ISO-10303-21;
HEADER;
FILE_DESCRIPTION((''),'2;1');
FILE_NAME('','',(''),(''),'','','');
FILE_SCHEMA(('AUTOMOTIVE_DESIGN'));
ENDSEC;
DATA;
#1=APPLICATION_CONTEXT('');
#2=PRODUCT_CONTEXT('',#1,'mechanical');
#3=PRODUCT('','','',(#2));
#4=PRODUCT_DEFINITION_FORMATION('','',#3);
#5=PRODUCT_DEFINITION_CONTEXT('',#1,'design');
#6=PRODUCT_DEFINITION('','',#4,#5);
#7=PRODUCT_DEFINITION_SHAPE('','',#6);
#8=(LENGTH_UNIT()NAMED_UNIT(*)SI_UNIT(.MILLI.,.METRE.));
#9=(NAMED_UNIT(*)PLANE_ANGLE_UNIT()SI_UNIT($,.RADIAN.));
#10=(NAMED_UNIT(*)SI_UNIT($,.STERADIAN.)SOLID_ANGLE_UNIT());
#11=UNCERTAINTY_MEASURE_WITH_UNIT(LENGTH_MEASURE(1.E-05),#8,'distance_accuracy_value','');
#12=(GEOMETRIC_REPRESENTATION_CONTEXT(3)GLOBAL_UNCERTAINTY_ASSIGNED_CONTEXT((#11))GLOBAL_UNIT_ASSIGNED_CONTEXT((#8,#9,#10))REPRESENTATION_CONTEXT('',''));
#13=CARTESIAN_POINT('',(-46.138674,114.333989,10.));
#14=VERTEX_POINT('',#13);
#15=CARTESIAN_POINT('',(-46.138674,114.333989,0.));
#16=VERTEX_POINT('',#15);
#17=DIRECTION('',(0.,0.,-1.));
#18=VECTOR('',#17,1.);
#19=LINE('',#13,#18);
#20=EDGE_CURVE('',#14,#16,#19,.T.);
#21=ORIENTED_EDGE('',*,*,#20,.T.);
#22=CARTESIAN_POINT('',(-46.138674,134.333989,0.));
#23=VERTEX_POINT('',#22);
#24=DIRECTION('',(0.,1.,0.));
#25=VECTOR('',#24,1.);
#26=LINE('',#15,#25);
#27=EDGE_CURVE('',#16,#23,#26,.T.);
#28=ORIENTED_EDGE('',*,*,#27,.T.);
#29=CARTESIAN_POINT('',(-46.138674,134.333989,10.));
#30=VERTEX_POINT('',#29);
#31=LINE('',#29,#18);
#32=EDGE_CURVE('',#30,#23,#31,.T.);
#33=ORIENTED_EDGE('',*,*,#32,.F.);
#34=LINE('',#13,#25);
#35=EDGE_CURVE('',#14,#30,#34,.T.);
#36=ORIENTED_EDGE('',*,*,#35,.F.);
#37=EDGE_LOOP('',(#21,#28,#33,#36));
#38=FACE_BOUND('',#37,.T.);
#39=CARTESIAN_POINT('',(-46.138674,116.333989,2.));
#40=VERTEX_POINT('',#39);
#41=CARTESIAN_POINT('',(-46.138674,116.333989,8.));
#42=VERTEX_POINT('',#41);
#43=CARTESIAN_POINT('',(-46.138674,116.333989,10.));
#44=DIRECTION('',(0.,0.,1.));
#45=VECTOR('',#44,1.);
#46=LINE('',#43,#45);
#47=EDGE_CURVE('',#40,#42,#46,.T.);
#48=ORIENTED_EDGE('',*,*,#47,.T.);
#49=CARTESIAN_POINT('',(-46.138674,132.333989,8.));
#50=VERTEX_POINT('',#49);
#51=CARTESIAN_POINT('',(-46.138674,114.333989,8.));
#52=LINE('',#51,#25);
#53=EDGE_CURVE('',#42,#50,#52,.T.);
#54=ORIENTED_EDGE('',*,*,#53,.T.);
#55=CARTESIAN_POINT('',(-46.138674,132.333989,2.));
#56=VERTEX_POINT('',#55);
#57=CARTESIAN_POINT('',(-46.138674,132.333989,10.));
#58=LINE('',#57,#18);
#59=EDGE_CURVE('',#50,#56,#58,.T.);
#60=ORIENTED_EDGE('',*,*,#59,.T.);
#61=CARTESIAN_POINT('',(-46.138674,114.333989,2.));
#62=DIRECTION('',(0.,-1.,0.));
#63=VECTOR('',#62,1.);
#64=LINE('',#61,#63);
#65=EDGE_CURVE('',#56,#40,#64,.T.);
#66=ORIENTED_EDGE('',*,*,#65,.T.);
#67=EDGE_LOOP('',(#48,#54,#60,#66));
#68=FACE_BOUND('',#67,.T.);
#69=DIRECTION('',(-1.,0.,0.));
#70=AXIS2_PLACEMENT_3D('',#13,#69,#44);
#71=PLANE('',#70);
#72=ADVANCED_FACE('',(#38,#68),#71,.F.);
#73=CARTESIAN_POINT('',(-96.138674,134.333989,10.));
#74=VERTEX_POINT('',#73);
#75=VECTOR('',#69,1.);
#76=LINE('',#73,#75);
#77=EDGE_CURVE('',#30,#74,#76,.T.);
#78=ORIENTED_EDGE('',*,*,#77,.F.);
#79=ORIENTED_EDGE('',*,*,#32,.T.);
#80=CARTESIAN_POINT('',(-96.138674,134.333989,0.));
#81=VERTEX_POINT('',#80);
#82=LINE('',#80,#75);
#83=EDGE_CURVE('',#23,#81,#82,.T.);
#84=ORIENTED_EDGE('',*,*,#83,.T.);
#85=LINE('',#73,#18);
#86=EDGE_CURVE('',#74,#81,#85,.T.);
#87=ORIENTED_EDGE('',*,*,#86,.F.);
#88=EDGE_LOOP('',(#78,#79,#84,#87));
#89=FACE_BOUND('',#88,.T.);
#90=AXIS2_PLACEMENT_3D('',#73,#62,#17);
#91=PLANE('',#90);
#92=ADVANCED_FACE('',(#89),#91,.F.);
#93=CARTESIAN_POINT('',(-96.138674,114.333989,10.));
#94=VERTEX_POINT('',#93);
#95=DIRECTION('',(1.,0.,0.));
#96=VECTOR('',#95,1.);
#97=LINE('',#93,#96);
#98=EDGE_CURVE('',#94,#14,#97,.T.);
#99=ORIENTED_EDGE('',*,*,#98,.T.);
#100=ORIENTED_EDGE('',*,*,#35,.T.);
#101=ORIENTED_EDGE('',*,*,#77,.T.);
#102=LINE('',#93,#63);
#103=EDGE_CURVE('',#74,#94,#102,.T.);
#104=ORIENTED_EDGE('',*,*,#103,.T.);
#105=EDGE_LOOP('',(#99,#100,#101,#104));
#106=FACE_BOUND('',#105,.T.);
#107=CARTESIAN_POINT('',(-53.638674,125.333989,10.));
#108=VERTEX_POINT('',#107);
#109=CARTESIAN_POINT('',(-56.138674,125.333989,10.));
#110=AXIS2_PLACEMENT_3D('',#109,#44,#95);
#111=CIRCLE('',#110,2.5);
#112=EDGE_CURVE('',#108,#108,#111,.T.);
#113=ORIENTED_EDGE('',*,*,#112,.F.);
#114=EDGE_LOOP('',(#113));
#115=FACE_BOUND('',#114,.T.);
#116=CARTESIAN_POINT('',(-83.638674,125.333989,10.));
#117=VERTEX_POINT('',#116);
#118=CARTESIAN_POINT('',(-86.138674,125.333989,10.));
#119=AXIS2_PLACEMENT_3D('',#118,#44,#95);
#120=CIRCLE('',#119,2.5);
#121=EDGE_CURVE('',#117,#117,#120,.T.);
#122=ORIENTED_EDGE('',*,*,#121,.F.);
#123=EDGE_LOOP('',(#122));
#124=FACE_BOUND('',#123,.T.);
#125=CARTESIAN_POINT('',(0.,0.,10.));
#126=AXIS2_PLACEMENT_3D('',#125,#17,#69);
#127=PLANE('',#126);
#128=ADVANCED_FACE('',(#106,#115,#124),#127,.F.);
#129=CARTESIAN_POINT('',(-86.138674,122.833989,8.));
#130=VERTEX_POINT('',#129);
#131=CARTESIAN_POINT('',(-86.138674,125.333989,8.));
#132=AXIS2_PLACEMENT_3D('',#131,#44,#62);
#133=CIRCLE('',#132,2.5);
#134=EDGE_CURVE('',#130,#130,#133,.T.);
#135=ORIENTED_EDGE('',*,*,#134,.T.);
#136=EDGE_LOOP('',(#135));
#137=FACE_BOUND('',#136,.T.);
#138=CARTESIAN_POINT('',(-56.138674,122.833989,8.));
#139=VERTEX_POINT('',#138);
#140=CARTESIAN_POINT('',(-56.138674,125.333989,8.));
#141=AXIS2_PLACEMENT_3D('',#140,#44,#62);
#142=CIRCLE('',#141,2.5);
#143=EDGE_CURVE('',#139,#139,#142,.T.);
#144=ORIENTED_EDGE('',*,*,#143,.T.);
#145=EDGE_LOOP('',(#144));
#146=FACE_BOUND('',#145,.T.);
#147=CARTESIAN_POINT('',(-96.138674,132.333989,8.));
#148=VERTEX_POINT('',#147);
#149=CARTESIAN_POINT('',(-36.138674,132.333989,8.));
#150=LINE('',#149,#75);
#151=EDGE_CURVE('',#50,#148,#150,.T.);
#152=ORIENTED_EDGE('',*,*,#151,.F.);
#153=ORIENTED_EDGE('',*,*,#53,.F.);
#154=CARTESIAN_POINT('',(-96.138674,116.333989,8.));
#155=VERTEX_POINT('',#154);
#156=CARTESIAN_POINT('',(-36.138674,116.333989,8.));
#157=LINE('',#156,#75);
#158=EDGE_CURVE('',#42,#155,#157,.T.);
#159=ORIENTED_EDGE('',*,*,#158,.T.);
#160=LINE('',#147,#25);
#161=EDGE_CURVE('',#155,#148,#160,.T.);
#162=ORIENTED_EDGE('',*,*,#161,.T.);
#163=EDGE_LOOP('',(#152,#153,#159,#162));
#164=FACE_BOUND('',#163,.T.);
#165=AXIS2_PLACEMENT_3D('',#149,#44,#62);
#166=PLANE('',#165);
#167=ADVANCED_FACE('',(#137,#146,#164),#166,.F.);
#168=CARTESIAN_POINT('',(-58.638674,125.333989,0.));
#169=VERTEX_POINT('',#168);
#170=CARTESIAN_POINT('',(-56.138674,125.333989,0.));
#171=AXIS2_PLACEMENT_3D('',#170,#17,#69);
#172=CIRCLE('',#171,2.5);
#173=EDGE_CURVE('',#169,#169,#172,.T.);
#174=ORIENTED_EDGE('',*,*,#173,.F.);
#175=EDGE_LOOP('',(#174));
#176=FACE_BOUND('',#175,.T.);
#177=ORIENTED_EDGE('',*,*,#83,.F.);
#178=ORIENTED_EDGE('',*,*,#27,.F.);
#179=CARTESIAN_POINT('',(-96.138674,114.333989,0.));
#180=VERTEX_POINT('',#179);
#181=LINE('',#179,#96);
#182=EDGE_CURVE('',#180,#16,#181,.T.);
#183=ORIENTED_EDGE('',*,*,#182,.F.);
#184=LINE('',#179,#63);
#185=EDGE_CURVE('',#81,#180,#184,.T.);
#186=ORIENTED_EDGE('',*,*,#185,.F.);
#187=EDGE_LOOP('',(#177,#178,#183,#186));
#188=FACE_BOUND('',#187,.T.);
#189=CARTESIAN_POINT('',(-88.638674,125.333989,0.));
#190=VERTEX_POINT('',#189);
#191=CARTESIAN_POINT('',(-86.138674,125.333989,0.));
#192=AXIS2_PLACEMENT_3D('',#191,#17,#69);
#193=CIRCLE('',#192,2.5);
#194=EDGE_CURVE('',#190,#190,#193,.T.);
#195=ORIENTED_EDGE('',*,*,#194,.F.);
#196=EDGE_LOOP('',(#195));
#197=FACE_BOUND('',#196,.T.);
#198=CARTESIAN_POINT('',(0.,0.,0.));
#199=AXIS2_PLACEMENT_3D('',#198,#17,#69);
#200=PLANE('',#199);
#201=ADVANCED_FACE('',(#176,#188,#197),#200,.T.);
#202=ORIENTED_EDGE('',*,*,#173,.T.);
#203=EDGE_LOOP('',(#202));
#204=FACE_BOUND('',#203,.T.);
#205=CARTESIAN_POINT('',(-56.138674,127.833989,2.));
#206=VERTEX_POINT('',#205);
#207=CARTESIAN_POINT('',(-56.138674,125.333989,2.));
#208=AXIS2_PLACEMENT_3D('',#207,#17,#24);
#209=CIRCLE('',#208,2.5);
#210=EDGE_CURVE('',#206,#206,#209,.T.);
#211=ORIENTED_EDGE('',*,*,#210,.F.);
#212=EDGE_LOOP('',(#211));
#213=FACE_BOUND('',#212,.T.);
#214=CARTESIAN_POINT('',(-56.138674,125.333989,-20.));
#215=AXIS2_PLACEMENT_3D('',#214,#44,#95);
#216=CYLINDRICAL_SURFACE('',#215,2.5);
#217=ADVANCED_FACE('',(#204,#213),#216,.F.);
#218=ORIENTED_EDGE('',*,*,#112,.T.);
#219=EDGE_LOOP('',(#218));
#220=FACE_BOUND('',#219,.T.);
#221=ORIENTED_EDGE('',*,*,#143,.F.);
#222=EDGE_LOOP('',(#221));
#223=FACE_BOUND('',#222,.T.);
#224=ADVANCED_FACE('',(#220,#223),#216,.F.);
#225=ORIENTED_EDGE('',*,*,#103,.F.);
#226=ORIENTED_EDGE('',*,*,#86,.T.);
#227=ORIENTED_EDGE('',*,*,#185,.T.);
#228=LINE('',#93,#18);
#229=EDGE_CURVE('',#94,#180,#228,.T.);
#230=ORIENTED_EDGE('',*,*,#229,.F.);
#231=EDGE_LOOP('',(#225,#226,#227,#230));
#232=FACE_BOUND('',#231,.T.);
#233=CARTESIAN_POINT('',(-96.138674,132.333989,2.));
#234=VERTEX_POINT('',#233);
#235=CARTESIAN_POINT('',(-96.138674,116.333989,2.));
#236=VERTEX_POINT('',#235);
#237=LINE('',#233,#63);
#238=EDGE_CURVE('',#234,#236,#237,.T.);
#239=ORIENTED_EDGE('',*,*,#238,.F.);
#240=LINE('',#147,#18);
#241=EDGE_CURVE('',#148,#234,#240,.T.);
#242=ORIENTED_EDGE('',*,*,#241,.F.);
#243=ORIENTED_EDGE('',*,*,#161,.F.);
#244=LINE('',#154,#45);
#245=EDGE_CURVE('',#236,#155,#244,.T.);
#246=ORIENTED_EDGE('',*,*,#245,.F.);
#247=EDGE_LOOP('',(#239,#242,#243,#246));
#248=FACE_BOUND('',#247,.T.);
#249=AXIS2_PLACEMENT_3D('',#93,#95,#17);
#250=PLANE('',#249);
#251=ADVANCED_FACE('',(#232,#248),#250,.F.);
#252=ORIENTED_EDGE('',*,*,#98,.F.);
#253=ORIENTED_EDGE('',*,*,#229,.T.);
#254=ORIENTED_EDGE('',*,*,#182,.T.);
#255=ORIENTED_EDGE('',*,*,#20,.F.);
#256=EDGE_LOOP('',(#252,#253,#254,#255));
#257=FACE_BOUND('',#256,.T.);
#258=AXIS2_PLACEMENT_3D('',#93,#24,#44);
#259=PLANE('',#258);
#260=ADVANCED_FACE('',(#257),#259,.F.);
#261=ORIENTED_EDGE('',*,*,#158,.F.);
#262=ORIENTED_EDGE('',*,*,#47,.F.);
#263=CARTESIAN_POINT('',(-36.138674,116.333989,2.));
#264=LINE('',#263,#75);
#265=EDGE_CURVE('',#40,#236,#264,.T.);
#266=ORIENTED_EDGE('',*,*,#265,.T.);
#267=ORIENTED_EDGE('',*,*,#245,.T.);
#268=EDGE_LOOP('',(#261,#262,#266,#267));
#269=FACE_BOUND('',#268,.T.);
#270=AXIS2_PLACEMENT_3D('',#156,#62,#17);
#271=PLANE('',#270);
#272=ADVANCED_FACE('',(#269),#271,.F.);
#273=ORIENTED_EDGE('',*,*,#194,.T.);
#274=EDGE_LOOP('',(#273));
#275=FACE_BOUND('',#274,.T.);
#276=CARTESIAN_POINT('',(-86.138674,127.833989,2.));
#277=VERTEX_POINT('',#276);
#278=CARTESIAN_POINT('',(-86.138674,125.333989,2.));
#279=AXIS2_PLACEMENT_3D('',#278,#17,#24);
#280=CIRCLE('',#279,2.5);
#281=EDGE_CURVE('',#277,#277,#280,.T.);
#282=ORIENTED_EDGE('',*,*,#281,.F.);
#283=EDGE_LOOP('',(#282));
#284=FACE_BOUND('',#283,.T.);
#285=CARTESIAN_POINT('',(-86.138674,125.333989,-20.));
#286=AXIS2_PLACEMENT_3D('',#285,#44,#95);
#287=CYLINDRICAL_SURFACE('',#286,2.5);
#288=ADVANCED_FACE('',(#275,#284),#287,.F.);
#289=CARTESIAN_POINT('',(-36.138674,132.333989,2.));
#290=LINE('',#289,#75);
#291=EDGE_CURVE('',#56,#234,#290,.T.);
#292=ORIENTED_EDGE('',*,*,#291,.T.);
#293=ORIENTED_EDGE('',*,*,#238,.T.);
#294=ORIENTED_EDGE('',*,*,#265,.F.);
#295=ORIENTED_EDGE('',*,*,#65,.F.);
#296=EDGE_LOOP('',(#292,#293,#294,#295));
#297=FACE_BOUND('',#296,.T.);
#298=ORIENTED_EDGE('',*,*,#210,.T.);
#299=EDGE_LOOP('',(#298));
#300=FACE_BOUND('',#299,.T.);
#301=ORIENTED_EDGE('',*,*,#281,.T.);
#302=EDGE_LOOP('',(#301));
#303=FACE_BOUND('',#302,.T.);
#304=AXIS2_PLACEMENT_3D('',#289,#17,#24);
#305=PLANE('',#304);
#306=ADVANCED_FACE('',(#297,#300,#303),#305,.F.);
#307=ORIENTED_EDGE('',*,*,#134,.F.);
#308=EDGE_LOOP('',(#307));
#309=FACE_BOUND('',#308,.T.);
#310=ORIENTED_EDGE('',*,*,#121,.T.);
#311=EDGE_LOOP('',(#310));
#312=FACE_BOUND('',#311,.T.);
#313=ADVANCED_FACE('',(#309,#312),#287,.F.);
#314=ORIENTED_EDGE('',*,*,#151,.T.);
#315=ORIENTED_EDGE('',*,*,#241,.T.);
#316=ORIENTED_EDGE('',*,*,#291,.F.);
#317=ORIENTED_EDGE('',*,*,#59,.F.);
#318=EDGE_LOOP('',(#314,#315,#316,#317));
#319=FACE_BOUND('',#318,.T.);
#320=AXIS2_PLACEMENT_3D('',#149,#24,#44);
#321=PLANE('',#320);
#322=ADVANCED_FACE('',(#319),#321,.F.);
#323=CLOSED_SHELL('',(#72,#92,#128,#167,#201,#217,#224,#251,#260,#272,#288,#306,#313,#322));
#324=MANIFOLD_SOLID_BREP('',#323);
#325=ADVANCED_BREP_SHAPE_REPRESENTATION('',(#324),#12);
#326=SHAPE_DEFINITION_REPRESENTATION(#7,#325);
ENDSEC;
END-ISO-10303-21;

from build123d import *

# Parameters (mm, degrees)
SKETCH1_W          = 50
SKETCH1_H          = 20
EXTRUDE1_DEPTH     = 10
SKETCH2_W          = 6
SKETCH2_H          = 16
CUT_EXTRUDE1_DEPTH = 60
CUT_EXTRUDE2_DEPTH = 30


with BuildPart() as part:
    # Sketch1 → Extrude1 (new body)
    with BuildSketch(Plane.XY):
        with Locations((-71.138674094, 124.333988555)):
            Rectangle(SKETCH1_W, SKETCH1_H)
    extrude(amount=EXTRUDE1_DEPTH)

    # Sketch2 → Cut-Extrude1 (cut)
    with BuildSketch(Plane.ZY.offset(96.138674094)):
        with Locations((5, 124.333988555)):
            Rectangle(SKETCH2_W, SKETCH2_H)
    extrude(amount=-CUT_EXTRUDE1_DEPTH, mode=Mode.SUBTRACT)

    # Sketch3 → Cut-Extrude2 (cut)
    with BuildSketch(Plane.XY.offset(10)):
        with BuildLine():
            ThreePointArc((-56.138674094, 127.833988555), (-58.638674094, 125.333988555), (-56.138674094, 122.833988555))
            ThreePointArc((-56.138674094, 122.833988555), (-53.638674094, 125.333988555), (-56.138674094, 127.833988555))
        make_face()
        with BuildLine():
            ThreePointArc((-86.138674094, 127.833988555), (-88.638674094, 125.333988555), (-86.138674094, 122.833988555))
            ThreePointArc((-86.138674094, 122.833988555), (-83.638674094, 125.333988555), (-86.138674094, 127.833988555))
        make_face()
    extrude(amount=-CUT_EXTRUDE2_DEPTH, mode=Mode.SUBTRACT)


solid = part.part
